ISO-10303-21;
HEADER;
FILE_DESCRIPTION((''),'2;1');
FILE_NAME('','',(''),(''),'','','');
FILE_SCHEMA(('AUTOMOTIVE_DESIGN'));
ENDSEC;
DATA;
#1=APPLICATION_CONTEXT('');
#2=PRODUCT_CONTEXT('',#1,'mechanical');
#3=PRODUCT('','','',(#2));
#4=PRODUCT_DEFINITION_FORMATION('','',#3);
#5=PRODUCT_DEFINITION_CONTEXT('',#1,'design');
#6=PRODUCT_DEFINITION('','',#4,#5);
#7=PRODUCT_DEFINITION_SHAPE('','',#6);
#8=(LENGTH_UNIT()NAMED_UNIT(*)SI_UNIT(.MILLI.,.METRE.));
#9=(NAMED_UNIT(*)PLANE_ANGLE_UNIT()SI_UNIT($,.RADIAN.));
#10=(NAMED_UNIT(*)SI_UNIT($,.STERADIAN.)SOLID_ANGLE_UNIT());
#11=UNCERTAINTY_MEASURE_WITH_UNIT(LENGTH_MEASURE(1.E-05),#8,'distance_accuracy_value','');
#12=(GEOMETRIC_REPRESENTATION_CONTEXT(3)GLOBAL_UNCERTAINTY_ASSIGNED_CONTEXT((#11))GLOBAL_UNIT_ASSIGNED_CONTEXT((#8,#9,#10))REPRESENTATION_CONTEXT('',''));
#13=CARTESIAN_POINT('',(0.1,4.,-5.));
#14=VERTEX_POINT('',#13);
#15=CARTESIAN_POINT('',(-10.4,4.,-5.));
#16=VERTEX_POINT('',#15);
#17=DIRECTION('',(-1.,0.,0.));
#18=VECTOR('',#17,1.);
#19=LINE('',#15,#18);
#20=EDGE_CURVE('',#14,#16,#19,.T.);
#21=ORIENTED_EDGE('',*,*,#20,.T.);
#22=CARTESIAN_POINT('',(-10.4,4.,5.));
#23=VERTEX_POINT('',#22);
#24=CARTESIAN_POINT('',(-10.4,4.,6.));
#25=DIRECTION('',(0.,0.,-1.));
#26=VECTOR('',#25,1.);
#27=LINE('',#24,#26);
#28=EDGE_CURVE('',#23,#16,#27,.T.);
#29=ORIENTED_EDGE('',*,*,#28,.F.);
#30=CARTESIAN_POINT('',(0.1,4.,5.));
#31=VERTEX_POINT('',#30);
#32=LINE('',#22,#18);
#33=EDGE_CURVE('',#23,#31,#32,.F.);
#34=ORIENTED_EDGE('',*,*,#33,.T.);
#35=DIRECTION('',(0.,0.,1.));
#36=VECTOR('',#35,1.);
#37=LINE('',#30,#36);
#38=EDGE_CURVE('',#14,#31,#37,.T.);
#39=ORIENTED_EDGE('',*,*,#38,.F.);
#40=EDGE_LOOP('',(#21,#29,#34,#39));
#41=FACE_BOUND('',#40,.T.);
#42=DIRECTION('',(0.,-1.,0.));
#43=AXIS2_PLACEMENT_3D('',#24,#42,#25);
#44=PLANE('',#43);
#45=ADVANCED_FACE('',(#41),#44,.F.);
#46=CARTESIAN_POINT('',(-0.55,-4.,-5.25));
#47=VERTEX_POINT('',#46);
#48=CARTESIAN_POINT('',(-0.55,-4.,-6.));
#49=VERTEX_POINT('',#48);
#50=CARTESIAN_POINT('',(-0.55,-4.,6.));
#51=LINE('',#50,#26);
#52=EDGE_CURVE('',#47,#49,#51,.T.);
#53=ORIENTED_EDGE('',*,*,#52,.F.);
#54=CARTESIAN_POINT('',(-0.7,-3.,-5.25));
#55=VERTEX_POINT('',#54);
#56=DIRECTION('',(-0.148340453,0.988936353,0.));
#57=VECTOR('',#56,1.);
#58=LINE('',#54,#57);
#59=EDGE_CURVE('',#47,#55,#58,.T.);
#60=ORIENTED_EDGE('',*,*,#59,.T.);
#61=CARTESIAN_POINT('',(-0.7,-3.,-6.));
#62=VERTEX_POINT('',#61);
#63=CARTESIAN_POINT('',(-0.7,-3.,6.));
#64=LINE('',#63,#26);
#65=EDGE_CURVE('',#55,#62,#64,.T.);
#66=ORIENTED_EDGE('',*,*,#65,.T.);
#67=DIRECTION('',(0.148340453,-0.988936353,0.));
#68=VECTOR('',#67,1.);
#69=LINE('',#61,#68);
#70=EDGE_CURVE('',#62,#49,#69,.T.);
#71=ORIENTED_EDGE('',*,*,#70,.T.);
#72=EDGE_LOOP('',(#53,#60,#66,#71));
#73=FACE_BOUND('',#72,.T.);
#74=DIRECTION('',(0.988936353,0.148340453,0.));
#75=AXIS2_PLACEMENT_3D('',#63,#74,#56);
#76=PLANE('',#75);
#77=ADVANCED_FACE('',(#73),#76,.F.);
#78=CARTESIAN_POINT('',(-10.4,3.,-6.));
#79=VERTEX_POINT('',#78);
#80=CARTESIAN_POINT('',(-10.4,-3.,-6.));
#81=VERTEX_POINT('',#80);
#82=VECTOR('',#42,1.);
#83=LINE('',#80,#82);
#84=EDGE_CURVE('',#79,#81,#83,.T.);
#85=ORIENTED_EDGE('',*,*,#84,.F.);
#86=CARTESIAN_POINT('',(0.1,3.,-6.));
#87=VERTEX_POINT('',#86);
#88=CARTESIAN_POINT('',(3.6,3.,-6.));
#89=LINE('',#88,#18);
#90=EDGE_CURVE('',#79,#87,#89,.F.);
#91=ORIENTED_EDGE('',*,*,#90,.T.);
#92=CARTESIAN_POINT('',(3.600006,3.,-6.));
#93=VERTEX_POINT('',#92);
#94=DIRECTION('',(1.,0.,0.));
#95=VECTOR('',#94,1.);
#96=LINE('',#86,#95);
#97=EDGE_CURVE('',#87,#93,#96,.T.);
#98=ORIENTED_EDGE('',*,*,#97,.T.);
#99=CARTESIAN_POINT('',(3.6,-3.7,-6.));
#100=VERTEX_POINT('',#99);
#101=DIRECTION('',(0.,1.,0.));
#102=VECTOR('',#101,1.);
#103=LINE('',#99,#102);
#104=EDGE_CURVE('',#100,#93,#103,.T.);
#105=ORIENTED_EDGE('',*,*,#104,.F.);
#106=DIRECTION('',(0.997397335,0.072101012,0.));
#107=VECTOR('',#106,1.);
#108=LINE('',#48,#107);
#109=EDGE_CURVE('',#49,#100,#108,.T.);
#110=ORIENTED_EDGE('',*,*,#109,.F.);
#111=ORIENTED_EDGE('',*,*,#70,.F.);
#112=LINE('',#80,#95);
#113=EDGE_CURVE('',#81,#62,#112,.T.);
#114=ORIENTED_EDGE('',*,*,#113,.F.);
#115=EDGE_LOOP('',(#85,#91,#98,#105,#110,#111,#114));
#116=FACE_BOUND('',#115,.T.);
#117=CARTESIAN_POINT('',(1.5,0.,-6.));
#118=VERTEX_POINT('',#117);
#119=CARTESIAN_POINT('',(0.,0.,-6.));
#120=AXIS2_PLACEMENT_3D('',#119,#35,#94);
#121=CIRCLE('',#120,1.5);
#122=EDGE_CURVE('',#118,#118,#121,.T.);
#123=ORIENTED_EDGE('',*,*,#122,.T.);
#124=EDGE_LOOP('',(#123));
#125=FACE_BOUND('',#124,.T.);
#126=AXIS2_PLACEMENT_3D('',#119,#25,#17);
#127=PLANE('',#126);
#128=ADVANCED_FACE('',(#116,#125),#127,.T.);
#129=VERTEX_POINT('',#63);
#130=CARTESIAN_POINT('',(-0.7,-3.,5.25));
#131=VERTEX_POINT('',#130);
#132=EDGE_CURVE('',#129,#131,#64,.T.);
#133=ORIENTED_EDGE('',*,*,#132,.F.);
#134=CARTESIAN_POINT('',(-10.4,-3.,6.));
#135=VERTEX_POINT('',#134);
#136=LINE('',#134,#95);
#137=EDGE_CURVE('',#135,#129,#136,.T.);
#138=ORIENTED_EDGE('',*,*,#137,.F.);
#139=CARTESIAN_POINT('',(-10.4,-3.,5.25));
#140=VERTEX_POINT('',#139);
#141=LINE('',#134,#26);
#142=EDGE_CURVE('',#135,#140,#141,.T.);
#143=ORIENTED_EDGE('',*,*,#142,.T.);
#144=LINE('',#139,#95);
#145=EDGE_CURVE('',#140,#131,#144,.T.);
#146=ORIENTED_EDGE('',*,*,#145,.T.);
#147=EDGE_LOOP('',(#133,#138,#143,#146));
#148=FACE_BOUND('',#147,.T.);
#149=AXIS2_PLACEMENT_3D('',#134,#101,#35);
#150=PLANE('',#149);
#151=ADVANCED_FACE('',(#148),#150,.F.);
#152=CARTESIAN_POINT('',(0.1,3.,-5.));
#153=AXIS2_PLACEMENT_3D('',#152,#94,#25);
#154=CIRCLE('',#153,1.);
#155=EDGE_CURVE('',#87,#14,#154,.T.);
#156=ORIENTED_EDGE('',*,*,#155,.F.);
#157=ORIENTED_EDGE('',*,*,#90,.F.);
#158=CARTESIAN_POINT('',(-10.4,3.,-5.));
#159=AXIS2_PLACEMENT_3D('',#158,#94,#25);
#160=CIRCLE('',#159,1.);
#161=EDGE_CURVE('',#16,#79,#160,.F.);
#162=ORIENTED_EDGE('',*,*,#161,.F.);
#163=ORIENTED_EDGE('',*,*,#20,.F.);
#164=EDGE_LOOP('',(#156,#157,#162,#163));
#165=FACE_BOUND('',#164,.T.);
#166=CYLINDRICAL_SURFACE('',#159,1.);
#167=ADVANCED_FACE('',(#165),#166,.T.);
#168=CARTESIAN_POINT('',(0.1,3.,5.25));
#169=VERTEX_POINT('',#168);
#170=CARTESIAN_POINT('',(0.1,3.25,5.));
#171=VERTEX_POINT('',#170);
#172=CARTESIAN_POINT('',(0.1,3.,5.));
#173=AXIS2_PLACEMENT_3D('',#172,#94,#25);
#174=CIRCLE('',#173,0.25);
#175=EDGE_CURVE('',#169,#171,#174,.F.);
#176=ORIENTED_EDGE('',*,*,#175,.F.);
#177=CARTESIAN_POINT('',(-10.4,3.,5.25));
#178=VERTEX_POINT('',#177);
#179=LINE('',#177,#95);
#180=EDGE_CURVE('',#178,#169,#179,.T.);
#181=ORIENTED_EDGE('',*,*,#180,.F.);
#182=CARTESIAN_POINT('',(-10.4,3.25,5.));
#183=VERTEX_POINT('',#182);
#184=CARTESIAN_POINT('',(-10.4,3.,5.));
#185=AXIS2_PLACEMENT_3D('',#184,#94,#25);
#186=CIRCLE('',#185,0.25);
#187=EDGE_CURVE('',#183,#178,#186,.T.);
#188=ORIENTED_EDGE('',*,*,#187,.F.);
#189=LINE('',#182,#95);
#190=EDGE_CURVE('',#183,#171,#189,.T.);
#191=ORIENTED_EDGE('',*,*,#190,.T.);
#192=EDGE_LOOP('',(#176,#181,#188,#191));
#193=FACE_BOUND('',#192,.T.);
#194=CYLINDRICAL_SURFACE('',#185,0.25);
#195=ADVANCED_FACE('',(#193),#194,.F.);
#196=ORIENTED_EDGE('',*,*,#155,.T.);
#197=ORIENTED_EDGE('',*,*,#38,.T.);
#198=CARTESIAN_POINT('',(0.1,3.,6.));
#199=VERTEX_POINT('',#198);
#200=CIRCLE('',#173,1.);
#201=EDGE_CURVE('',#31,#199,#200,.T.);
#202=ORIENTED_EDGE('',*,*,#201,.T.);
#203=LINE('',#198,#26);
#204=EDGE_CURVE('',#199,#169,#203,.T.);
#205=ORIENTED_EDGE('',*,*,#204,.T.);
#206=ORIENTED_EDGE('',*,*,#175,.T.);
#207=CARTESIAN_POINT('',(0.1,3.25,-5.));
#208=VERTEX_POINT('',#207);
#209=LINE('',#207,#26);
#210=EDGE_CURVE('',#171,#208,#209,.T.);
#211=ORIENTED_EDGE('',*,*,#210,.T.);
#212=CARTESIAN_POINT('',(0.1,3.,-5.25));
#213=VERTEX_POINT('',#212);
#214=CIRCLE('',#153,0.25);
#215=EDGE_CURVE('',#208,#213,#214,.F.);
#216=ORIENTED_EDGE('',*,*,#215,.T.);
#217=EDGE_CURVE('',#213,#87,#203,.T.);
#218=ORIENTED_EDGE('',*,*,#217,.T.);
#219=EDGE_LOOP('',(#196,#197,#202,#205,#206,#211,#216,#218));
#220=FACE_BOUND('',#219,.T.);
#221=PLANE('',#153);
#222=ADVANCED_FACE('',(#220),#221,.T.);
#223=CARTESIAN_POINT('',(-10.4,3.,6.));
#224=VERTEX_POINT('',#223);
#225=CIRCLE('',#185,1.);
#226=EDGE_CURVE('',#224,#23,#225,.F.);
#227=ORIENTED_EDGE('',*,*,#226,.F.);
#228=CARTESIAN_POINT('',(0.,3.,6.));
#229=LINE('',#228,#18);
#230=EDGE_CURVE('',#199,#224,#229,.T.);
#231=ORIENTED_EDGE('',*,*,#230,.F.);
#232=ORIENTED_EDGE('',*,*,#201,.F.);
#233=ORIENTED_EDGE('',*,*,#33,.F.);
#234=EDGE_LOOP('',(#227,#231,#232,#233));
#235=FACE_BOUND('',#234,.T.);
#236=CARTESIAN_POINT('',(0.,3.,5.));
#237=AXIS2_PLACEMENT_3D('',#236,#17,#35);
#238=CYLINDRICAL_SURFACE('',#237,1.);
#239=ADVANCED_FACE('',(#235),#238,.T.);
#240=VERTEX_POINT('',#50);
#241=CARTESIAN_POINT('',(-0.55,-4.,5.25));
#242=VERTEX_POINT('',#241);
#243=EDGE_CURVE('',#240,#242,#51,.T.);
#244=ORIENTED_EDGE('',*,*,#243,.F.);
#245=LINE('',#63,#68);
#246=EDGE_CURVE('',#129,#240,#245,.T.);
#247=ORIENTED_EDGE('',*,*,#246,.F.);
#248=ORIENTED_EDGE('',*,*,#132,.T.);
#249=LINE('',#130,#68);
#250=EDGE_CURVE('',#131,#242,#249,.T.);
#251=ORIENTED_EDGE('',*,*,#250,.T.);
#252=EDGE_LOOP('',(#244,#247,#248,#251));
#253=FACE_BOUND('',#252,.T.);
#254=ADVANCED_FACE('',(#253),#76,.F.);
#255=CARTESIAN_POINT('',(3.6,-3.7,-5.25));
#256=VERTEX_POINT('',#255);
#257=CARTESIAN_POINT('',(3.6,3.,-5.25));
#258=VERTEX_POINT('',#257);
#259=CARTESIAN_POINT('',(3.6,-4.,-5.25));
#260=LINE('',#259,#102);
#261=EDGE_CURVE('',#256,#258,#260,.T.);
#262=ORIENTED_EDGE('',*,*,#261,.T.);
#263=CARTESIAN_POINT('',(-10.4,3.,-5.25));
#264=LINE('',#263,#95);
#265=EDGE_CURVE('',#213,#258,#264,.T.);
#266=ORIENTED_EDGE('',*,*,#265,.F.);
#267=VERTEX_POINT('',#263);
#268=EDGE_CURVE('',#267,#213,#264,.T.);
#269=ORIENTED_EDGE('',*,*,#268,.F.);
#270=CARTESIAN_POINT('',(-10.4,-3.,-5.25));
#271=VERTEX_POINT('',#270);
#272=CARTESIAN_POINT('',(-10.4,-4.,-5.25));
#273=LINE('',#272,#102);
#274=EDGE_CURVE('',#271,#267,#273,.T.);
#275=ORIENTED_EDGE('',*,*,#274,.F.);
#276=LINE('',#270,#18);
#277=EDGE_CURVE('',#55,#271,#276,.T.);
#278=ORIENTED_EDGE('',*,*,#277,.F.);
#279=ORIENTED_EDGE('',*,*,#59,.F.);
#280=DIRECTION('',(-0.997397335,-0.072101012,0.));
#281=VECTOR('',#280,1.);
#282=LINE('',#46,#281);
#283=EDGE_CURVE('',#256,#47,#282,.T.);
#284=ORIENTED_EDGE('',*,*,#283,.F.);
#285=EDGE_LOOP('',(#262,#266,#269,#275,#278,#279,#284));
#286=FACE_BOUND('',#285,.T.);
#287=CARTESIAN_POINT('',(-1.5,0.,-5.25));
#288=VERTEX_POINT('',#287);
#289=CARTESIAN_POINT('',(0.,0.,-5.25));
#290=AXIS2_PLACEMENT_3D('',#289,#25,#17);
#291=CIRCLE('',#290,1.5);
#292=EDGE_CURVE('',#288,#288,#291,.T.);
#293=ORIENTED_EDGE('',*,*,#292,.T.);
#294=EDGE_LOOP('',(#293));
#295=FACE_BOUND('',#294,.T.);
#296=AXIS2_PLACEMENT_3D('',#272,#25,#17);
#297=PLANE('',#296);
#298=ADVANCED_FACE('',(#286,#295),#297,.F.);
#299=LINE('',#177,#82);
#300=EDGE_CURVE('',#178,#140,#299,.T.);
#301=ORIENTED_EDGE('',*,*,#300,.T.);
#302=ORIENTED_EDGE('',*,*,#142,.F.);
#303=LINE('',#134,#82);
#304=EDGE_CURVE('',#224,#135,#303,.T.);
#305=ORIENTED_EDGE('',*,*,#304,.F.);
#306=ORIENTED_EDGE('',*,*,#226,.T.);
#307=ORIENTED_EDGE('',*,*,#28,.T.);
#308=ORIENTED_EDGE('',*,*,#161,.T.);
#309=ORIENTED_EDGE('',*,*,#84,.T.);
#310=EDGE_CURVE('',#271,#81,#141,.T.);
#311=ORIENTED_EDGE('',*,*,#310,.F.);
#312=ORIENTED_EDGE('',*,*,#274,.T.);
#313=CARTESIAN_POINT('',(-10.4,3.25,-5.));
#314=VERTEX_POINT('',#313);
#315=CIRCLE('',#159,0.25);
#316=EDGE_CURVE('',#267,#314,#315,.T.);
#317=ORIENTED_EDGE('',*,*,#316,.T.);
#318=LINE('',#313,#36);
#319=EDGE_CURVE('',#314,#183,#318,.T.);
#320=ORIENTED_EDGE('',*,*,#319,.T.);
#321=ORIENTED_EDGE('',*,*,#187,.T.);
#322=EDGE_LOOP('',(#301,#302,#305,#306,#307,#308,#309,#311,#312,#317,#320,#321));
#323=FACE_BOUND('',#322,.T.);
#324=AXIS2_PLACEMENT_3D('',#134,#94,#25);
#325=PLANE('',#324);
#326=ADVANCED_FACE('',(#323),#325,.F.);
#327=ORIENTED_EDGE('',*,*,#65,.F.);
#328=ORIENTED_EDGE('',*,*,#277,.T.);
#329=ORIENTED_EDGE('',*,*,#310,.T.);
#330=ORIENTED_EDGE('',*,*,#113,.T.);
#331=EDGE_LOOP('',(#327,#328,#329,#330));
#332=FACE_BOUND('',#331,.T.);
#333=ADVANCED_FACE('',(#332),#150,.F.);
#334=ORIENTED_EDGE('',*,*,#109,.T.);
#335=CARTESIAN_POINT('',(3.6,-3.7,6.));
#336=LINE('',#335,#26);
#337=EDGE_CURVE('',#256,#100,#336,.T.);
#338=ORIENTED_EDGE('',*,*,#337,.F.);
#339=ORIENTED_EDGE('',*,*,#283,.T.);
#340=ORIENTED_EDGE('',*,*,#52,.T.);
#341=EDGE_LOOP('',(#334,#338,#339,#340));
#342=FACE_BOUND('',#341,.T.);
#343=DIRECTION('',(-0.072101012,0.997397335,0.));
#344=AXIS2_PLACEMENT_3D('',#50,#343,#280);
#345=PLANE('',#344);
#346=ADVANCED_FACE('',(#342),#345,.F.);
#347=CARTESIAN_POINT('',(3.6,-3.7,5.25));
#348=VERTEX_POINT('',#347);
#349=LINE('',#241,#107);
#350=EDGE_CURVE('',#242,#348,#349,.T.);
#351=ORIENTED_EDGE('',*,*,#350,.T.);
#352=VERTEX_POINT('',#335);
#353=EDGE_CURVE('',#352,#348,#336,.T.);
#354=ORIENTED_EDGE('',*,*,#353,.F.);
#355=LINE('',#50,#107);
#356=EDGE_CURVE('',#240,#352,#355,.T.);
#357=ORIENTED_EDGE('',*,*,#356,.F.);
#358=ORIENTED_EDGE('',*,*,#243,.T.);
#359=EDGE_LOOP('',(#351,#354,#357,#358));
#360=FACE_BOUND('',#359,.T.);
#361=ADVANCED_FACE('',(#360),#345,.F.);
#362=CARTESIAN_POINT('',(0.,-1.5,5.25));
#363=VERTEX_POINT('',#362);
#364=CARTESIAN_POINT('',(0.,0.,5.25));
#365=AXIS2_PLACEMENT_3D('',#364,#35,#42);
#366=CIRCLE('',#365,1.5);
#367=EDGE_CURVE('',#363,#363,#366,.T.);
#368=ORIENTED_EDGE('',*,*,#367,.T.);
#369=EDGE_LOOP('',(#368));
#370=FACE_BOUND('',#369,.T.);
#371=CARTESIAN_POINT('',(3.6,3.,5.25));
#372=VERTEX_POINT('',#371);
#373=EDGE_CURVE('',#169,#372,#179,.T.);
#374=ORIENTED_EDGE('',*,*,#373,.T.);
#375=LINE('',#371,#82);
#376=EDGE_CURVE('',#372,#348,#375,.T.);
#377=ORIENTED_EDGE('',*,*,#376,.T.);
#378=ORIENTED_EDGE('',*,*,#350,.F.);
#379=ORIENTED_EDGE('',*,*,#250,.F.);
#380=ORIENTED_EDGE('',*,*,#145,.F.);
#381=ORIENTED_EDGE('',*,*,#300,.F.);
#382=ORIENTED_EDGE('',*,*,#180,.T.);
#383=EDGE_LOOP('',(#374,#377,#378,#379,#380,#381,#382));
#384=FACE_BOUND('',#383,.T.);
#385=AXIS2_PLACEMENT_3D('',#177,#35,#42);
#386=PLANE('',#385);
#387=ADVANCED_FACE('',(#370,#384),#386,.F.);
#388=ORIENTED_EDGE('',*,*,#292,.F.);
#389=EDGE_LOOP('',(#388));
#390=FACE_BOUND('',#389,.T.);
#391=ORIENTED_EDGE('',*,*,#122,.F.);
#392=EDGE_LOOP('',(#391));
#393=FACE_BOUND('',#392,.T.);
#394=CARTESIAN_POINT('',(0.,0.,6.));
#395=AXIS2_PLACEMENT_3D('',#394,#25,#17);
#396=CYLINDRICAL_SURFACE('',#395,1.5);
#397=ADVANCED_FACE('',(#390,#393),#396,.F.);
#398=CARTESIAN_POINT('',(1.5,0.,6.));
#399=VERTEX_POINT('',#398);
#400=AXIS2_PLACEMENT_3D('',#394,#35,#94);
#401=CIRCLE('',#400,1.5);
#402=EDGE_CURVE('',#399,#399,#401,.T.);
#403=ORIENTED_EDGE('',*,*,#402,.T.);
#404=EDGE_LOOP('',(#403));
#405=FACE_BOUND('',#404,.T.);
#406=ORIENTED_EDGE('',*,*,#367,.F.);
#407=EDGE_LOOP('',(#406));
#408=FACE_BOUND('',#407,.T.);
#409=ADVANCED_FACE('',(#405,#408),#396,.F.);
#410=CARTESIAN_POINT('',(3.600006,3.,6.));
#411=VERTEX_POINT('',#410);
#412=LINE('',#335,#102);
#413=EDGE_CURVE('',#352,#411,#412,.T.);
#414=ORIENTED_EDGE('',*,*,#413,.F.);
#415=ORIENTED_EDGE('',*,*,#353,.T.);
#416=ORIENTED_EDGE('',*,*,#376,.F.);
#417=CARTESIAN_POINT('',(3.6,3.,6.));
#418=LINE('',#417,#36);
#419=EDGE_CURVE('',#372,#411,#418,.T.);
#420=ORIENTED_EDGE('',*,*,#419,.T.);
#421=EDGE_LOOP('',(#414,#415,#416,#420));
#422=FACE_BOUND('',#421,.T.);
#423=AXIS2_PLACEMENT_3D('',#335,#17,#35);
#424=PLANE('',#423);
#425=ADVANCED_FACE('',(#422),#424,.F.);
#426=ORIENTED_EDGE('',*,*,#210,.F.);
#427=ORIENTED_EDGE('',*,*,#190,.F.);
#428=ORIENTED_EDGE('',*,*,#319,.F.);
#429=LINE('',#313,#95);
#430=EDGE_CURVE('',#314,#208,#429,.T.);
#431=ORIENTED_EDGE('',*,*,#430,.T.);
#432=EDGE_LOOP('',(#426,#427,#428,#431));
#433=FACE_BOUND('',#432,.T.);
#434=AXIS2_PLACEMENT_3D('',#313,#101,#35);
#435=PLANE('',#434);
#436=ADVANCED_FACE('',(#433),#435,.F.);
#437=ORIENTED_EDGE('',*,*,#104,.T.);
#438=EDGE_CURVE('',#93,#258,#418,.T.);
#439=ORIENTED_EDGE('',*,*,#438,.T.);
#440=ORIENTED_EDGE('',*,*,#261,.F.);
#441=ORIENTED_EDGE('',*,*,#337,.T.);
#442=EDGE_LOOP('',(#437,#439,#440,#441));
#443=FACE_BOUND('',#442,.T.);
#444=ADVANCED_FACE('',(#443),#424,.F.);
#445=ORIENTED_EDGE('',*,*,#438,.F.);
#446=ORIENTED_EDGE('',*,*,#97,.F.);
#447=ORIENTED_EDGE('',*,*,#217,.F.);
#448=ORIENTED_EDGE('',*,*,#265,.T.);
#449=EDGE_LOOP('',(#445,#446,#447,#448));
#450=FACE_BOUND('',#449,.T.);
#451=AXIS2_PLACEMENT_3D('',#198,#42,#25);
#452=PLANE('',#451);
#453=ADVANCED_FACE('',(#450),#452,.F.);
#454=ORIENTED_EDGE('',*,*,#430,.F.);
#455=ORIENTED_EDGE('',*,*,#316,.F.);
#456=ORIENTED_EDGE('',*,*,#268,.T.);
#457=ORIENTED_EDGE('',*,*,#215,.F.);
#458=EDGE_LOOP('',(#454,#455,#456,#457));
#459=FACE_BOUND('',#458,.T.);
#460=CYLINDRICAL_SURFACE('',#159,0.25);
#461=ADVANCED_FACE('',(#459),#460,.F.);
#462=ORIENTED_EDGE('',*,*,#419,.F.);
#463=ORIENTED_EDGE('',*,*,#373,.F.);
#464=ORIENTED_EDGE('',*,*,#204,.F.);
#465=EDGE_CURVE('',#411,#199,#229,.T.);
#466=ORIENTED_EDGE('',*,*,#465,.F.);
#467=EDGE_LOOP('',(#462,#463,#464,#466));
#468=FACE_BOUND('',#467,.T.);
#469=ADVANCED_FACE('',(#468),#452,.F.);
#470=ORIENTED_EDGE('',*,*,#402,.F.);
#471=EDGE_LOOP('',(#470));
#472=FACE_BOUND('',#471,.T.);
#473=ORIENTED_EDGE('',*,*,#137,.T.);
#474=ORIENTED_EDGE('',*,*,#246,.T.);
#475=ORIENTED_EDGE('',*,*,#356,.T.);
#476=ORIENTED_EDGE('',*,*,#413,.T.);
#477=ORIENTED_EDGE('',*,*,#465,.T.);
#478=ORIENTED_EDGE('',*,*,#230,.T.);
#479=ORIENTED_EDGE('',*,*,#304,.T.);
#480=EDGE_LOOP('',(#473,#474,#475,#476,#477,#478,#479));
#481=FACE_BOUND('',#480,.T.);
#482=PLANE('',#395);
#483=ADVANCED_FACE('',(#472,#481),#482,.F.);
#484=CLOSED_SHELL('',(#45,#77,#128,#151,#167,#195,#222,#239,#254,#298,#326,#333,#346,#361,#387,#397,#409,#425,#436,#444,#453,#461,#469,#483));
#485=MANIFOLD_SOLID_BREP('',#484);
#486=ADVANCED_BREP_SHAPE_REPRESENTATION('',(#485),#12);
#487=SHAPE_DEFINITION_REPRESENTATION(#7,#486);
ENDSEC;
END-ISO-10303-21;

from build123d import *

# Parameters (mm, degrees)
SKETCH1_R               = 1.5
BOSS_EXTRUDE1_DEPTH     = 6
FILLET1_R               = 1
CUT_EXTRUDE2_DEPTH      = 13.655433616
CUT_EXTRUDE2_DEPTH_BACK = 13.655433616
CUT_EXTRUDE3_DEPTH      = 16.748015748
CUT_EXTRUDE3_DEPTH_BACK = 3.5


with BuildPart() as part:
    # Sketch1 → Boss-Extrude1 (new, symmetric)
    with BuildSketch(Plane.XY):
        Polygon((-10.4, -3), (-0.7, -3), (-0.55, -4), (3.6, -3.7), (3.6, 4), (-10.4, 4), align=None)
        Circle(SKETCH1_R, mode=Mode.SUBTRACT)
    extrude(amount=BOSS_EXTRUDE1_DEPTH, both=True)

    # Fillet1
    fillet1_edges = [part.edges().sort_by_distance(p)[0] for p in [
        (-3.4, 4, -6),
        (-3.4, 4, 6),
    ]]
    fillet(fillet1_edges, radius=FILLET1_R)

    # Sketch2 → Cut-Extrude2 (cut, two sides: drawn at the far end of the back side and taken through both)
    with BuildSketch(Plane(origin=(0, 0, 0), x_dir=(0, 0, -1), z_dir=(1, 0, 0)).offset(-CUT_EXTRUDE2_DEPTH_BACK)):
        with BuildLine():
            Line((-5.25, 3), (-5.25, -4))
            Line((-5.25, -4), (5.25, -4))
            Line((5.25, -4), (5.25, 3))
            ThreePointArc((5.25, 3), (5.176776695, 3.176776695), (5, 3.25))
            Line((5, 3.25), (-5, 3.25))
            ThreePointArc((-5, 3.25), (-5.176776695, 3.176776695), (-5.25, 3))
        make_face()
    extrude(amount=CUT_EXTRUDE2_DEPTH + CUT_EXTRUDE2_DEPTH_BACK, mode=Mode.SUBTRACT)

    # Sketch3 → Cut-Extrude3 (cut, two sides: drawn at the far end of the back side and taken through both)
    with BuildSketch(Plane(origin=(3.6, 0, 0), x_dir=(0, 0, -1), z_dir=(1, 0, 0)).offset(-CUT_EXTRUDE3_DEPTH_BACK)):
        with BuildLine():
            Line((-5, 4), (5, 4))
            ThreePointArc((5, 4), (5.707106781, 3.707106781), (6, 3))
            Line((6, 3), (-6, 3))
            ThreePointArc((-6, 3), (-5.707106781, 3.707106781), (-5, 4))
        make_face()
    extrude(amount=CUT_EXTRUDE3_DEPTH + CUT_EXTRUDE3_DEPTH_BACK, mode=Mode.SUBTRACT)


solid = part.part
